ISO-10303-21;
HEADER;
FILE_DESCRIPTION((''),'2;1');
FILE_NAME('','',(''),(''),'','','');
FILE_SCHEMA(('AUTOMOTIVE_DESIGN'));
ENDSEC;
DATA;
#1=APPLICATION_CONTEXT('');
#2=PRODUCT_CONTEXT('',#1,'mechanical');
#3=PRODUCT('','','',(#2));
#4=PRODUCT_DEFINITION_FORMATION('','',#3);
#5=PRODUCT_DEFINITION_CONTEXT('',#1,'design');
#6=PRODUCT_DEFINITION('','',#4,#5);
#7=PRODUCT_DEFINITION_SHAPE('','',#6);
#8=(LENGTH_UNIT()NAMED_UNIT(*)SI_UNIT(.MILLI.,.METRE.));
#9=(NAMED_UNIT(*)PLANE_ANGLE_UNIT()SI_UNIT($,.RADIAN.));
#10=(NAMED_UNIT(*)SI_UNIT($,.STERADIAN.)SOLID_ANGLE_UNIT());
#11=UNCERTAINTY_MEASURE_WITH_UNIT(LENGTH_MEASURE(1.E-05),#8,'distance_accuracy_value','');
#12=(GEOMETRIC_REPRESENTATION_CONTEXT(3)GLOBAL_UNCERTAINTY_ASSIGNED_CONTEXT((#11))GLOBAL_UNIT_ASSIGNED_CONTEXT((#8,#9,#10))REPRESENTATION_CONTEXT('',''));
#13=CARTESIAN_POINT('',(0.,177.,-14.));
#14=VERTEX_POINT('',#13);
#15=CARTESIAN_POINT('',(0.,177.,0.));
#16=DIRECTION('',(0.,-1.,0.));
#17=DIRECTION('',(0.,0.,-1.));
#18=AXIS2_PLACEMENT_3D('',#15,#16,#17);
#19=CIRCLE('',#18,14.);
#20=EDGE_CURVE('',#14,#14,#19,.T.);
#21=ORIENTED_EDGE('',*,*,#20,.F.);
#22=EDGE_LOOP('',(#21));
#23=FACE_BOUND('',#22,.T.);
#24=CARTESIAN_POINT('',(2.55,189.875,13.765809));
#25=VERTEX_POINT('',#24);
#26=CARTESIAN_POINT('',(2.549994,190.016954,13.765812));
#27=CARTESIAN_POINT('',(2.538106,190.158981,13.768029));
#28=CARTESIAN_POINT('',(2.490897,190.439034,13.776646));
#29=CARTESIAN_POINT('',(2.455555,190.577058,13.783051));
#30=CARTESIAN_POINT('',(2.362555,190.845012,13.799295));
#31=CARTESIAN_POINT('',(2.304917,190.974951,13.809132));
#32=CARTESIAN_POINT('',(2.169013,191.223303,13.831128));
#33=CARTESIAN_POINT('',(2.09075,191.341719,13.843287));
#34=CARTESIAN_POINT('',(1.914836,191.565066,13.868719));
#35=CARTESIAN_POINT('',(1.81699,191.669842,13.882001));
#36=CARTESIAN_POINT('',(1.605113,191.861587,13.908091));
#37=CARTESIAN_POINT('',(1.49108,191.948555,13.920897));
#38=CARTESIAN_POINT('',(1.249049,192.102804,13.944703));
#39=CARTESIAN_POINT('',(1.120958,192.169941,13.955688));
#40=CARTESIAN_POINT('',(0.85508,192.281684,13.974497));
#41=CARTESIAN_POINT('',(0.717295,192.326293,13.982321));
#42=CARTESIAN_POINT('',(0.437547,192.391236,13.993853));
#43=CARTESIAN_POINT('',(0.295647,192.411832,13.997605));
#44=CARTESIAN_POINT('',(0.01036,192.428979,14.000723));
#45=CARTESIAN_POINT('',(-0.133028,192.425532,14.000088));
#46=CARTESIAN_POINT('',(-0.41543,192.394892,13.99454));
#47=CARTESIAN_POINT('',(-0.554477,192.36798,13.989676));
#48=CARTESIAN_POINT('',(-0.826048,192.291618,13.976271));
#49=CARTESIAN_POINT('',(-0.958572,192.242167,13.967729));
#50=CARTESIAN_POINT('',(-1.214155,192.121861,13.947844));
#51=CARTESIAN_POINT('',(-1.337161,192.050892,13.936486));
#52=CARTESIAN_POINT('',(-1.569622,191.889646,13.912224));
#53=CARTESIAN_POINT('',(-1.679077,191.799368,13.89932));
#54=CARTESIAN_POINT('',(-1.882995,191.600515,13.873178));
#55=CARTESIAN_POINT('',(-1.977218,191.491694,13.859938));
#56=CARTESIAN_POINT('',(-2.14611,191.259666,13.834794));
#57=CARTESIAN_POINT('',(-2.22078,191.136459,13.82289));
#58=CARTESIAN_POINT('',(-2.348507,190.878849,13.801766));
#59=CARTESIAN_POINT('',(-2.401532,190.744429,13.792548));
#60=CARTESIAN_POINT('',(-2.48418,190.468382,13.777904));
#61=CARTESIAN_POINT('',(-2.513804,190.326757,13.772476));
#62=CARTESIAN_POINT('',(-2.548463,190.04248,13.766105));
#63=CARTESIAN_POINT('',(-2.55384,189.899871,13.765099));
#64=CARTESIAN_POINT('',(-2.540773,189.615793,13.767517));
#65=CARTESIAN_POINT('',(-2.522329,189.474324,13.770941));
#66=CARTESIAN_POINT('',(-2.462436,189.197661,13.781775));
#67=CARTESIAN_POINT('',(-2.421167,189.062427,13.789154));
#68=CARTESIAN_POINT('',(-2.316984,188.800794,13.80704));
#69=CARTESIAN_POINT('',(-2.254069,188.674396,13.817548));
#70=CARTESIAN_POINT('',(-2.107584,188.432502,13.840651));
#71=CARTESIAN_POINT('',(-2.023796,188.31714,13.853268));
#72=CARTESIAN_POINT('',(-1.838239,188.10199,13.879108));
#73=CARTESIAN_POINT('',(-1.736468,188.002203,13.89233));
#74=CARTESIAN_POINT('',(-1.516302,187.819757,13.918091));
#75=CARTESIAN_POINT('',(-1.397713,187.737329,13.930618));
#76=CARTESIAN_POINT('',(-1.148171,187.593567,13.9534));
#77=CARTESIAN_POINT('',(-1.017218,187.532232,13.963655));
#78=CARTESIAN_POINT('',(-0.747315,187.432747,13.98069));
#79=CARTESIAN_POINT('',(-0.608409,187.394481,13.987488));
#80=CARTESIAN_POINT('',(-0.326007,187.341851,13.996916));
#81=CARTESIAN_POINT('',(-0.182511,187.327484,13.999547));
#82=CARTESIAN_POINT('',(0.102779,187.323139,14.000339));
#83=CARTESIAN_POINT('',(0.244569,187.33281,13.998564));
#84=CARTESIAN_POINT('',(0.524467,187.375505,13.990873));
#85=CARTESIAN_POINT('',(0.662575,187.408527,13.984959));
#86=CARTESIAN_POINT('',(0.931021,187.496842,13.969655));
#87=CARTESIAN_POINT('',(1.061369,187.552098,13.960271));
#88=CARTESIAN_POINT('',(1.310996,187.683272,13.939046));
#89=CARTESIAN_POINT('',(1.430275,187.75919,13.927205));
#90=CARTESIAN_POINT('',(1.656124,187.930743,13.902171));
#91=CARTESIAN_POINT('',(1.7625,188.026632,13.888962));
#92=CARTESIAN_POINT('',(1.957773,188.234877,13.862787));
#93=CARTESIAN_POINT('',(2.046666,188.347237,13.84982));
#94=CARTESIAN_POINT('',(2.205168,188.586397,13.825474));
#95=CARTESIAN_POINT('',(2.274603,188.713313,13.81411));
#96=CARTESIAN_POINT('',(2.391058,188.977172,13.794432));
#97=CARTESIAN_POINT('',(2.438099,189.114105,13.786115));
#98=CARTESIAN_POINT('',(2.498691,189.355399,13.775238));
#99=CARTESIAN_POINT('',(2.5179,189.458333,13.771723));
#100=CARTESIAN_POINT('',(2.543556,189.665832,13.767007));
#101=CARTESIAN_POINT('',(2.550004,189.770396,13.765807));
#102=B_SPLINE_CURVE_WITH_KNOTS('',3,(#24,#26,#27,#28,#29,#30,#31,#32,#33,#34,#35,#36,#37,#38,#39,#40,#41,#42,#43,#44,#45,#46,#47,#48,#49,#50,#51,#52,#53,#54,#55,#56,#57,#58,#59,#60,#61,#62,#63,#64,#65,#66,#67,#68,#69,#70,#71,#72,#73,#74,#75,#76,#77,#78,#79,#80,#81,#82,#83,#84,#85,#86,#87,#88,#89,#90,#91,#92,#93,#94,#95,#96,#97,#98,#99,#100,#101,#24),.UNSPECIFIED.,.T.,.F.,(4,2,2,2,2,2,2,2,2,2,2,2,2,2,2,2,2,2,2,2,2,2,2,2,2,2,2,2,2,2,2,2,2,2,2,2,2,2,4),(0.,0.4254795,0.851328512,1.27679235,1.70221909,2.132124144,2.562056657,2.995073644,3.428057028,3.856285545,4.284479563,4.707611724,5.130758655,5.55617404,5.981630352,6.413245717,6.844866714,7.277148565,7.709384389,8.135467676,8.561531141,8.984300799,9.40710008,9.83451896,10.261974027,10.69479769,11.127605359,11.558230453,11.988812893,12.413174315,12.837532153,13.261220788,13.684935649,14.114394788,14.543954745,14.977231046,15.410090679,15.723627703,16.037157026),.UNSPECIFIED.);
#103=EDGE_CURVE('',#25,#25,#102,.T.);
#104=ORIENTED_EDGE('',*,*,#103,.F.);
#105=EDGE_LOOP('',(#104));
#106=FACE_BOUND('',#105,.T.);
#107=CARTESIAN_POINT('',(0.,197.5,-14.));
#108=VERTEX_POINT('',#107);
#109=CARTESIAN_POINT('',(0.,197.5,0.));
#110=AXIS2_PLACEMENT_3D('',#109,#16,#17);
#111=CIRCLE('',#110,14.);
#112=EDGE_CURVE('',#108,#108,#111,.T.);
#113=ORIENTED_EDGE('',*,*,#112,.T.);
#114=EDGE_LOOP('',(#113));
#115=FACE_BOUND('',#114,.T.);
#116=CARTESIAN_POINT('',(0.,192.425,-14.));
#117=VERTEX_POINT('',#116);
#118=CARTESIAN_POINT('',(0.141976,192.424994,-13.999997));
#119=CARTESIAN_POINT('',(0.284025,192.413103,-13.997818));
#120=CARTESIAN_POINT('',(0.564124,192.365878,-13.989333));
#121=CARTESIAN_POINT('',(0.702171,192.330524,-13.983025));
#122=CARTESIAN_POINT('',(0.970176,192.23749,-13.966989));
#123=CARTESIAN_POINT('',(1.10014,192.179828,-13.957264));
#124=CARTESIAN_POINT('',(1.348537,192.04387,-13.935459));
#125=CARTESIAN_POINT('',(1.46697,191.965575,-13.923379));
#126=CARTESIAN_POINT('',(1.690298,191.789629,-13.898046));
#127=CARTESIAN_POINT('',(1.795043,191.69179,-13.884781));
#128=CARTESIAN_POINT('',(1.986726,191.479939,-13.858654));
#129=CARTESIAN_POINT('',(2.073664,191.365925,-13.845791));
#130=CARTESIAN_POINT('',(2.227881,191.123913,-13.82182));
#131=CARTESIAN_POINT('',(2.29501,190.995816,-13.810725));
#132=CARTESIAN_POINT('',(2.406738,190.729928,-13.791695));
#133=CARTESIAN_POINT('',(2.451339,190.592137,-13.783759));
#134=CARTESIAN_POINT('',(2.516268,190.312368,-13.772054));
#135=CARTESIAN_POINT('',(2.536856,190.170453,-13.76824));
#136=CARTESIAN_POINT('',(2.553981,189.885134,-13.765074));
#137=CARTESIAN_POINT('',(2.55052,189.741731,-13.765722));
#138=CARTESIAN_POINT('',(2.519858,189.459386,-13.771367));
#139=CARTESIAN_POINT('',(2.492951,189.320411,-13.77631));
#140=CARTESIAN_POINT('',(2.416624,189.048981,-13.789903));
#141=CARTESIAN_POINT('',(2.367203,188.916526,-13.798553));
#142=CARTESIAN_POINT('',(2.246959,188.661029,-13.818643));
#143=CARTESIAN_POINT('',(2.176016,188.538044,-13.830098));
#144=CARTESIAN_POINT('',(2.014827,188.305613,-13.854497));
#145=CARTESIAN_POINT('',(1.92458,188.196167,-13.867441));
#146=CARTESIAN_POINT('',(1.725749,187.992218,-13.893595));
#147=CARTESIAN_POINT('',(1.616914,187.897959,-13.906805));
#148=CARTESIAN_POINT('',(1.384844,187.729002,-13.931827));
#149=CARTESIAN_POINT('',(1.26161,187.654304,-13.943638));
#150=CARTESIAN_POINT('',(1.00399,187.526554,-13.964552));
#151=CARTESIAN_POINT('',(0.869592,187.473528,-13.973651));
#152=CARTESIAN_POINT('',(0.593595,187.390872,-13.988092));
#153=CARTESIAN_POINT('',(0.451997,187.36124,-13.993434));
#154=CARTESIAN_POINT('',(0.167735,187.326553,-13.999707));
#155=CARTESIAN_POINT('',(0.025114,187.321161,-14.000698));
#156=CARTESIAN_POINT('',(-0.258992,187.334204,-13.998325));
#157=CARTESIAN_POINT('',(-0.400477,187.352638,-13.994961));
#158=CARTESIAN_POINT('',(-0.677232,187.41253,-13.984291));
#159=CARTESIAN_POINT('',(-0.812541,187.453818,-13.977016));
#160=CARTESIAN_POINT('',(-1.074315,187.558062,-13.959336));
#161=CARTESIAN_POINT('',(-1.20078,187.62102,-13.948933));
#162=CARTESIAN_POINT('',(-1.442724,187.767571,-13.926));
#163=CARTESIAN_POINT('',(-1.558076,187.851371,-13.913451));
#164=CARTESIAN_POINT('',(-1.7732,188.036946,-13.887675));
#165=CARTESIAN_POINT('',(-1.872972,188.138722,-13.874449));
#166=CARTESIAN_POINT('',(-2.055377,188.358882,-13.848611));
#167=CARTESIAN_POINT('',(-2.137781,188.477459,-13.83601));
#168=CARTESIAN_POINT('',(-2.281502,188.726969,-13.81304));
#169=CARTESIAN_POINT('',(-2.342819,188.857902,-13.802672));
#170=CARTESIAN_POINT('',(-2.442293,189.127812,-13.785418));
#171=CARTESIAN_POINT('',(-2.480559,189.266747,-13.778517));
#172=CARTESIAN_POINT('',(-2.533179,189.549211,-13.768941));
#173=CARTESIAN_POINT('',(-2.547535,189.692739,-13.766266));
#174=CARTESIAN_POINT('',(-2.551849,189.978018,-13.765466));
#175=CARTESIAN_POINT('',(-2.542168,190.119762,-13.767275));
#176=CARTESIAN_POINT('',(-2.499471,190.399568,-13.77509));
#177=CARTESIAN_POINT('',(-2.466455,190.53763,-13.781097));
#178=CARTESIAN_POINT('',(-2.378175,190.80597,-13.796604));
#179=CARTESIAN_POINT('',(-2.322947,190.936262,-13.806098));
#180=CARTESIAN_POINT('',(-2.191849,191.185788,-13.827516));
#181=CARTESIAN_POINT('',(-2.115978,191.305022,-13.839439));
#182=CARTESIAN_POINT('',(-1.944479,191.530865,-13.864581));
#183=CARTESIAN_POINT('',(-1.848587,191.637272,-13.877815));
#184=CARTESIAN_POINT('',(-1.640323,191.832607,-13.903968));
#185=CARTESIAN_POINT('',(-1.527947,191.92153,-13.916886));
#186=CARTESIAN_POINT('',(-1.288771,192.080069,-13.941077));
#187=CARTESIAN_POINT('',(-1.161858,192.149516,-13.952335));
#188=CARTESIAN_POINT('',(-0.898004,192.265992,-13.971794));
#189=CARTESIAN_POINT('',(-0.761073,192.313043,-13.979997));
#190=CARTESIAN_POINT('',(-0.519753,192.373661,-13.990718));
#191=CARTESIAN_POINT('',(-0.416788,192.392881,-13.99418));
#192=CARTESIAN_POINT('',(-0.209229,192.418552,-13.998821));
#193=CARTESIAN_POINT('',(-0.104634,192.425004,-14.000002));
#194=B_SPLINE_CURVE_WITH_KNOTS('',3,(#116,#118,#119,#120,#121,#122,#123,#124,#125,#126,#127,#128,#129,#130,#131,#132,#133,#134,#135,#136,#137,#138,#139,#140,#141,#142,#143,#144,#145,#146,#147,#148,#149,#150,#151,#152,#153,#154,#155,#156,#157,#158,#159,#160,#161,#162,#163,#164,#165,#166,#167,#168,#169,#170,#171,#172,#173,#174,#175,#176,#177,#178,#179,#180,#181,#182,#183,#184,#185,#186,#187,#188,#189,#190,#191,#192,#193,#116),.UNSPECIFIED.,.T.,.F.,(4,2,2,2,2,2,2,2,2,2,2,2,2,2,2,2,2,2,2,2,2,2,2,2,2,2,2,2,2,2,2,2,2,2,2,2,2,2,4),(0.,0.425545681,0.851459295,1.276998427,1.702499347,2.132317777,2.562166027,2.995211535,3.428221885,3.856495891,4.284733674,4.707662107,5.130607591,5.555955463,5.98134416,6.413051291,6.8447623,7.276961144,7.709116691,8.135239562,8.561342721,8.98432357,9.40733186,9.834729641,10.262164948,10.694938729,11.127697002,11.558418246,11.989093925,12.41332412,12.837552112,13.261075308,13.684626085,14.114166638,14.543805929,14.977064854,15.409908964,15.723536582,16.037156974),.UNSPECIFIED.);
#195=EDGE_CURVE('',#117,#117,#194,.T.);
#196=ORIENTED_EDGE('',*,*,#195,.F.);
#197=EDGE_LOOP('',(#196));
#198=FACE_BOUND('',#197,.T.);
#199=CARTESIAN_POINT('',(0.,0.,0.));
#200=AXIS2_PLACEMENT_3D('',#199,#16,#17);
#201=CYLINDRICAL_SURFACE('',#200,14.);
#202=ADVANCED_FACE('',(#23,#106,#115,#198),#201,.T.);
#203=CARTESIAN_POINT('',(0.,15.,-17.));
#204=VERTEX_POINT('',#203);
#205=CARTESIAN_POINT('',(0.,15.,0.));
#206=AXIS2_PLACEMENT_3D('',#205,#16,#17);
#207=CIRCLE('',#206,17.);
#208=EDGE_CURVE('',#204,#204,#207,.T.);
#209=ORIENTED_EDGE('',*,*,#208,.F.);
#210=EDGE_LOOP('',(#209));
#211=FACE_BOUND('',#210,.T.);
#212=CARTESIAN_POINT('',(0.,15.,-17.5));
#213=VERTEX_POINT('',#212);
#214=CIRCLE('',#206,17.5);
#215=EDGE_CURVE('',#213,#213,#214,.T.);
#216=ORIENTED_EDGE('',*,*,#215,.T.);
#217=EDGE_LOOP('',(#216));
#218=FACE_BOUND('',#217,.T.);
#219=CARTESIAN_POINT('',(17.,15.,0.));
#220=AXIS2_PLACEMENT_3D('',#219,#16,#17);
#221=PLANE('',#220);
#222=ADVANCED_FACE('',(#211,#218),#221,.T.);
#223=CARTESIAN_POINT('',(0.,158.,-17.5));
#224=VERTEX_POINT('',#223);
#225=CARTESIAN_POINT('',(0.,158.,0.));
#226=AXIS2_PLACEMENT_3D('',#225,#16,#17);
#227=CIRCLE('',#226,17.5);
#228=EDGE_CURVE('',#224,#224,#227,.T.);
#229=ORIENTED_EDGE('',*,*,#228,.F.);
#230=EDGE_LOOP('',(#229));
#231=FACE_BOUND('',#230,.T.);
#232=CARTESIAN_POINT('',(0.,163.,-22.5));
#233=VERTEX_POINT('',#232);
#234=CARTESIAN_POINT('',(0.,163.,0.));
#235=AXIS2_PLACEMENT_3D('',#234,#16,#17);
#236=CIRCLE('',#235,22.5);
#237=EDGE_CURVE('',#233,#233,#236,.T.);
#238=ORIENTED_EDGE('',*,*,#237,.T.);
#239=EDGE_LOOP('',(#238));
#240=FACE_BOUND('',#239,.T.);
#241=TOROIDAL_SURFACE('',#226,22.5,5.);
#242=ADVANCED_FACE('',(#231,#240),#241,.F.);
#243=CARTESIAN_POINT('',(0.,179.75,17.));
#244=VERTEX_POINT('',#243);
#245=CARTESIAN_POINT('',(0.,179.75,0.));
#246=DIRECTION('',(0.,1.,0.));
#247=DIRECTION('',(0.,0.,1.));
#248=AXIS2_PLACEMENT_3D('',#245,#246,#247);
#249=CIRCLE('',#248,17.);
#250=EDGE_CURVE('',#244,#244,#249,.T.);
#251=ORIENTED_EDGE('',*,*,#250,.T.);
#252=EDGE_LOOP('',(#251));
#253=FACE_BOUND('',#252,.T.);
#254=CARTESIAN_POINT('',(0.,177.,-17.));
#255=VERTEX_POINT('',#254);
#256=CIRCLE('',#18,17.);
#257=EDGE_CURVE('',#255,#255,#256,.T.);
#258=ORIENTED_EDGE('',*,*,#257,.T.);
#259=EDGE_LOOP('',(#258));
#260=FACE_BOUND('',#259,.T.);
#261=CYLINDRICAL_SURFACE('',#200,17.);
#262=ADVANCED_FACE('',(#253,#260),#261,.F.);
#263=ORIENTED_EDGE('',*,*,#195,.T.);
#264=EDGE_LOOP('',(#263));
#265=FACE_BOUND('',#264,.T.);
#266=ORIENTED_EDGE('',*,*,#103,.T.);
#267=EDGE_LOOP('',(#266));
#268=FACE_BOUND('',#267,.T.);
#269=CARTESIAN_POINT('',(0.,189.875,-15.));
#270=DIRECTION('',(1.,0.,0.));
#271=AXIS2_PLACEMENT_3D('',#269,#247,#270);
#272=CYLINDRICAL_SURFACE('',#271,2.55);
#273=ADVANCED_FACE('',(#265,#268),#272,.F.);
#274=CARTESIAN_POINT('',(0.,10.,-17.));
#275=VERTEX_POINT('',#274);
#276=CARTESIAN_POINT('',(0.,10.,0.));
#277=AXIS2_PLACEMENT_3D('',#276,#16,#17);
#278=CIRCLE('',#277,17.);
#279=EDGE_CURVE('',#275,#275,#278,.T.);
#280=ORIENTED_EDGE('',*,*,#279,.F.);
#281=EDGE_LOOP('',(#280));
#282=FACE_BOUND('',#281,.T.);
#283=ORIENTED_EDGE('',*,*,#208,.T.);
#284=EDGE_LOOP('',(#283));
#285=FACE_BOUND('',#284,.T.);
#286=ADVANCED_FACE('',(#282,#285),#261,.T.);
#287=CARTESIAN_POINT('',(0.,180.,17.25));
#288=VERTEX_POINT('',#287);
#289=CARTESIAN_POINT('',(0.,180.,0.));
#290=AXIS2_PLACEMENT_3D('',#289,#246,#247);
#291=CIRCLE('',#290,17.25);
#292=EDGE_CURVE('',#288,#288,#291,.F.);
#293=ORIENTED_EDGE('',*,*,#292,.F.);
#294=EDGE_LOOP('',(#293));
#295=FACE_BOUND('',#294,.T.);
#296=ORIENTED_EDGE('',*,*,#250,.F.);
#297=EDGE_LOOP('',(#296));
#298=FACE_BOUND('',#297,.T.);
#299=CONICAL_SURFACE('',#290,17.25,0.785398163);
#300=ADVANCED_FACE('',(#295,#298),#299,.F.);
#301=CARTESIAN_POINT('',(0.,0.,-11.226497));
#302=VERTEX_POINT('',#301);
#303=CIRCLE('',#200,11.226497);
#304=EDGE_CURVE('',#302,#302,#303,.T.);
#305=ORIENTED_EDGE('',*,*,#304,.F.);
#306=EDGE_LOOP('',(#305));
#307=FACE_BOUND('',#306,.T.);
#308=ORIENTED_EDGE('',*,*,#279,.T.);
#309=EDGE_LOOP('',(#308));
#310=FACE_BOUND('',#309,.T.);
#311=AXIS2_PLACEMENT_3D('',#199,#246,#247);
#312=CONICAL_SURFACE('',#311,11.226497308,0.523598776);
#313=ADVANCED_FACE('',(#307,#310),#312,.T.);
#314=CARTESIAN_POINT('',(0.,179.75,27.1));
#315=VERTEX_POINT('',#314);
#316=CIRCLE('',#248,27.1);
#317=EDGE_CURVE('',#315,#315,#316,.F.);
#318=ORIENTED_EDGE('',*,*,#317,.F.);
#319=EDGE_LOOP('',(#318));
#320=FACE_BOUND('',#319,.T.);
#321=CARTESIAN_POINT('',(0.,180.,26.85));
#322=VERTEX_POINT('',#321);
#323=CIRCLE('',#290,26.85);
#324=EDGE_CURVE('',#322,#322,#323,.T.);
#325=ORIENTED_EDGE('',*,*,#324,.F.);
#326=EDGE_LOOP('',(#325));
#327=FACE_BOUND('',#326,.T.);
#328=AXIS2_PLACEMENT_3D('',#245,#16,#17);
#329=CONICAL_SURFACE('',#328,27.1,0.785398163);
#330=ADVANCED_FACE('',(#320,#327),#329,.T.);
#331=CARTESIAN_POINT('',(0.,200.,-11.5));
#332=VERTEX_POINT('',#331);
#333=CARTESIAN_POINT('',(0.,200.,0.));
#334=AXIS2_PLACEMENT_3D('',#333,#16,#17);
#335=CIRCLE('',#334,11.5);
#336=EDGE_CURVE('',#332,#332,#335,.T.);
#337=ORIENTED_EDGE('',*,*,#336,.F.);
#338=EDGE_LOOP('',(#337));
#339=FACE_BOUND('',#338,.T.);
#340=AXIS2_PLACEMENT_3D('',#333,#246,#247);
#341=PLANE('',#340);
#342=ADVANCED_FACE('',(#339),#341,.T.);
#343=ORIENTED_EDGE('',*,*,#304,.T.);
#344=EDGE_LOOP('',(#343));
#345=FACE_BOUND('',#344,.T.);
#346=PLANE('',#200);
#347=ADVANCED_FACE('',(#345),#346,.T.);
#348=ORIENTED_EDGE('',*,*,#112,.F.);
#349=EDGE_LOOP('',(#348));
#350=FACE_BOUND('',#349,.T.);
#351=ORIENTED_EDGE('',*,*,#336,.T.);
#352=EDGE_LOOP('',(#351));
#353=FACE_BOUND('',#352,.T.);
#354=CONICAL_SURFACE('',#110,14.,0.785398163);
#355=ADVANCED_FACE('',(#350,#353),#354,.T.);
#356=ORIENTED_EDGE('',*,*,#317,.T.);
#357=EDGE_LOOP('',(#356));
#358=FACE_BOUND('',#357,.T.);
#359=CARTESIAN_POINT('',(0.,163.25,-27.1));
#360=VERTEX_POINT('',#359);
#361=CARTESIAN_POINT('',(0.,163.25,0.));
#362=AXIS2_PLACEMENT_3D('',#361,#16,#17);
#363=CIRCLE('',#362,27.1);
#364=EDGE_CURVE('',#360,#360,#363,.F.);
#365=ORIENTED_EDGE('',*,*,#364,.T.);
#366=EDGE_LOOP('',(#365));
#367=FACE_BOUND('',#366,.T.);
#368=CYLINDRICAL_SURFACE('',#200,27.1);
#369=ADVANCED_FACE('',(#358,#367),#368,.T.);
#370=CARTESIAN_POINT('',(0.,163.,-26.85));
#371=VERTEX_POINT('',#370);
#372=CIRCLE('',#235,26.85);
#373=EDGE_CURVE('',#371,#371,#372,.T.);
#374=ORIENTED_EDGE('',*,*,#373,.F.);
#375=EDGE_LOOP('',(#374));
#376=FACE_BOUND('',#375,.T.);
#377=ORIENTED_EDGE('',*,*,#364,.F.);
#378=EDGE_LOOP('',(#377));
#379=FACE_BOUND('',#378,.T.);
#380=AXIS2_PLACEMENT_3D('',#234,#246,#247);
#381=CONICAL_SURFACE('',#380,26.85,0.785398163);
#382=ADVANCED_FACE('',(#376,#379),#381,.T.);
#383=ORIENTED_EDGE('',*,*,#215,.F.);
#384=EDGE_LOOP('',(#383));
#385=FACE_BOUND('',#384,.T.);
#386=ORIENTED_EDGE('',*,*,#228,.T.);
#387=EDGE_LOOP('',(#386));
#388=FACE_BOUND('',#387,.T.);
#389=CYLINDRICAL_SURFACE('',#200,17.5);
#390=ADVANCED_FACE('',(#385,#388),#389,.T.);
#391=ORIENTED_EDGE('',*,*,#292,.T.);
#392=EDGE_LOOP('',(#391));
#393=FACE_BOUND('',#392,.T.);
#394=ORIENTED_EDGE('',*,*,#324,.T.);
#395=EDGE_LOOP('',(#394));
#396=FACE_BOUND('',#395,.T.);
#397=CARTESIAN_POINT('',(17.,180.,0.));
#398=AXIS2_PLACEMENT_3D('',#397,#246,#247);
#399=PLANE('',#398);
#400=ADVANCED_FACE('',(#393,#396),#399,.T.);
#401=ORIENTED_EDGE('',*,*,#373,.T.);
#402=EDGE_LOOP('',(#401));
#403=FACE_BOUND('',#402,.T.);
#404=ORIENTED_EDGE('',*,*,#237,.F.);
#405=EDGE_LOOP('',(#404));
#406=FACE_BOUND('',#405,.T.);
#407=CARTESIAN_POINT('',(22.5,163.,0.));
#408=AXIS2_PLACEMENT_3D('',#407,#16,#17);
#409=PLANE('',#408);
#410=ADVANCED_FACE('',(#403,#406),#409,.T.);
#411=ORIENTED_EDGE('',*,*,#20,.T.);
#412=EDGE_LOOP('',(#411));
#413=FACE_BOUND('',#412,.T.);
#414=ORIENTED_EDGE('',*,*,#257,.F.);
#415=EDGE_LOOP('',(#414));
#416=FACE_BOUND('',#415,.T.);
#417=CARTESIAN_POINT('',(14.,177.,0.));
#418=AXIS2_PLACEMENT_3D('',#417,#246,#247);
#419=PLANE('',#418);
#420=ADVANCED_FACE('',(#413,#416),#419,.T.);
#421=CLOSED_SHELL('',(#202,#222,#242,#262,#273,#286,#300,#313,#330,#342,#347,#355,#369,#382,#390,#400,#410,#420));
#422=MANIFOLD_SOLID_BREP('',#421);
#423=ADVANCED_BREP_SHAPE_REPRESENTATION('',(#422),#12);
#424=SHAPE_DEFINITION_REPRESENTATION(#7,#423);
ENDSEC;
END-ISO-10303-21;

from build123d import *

# Parameters (mm, degrees)
CHAMFER1_SIZE      = 0.25
CHAMFER2_SIZE      = 0.25
CHAMFER3_SIZE      = 0.25
SKETCH2_R          = 2.55
CUT_EXTRUDE1_DEPTH = 15


with BuildPart() as part:
    # Sketch1 → Revolve1 (revolve)
    with BuildSketch(Plane.XY, mode=Mode.PRIVATE) as revolve1_sk:
        with BuildLine():
            Line((17.5, 15), (17.5, 158))
            ThreePointArc((17.5, 158), (18.964466094, 161.535533906), (22.5, 163))
            Line((22.5, 163), (27.1, 163))
            Line((27.1, 163), (27.1, 180))
            Line((27.1, 180), (17, 180))
            Line((17, 180), (17, 177))
            Line((17, 177), (14, 177))
            Line((14, 177), (14, 197.5))
            Line((14, 197.5), (11.5, 200))
            Line((11.5, 200), (0, 200))
            Line((0, 200), (0, 0))
            Line((0, 0), (11.226497308, 0))
            Line((11.226497308, 0), (17, 10))
            Line((17, 10), (17, 15))
            Line((17, 15), (17.5, 15))
        make_face()
    revolve(revolve1_sk.sketch.rotate(Axis((0, 0, 0), (0, 1, 0)), 90), axis=Axis((0, 0, 0), (0, 1, 0)))  # turned: the seam where the file's is

    # Chamfer1
    chamfer1_edges = [part.edges().sort_by_distance(p)[0] for p in [
        (0, 180, 27.1),
    ]]
    chamfer(chamfer1_edges, length=CHAMFER1_SIZE)

    # Chamfer2
    chamfer2_edges = [part.edges().sort_by_distance(p)[0] for p in [
        (0, 163, 27.1),
    ]]
    chamfer(chamfer2_edges, length=CHAMFER2_SIZE)

    # Chamfer3
    chamfer3_edges = [part.edges().sort_by_distance(p)[0] for p in [
        (0, 180, 17),
    ]]
    chamfer(chamfer3_edges, length=CHAMFER3_SIZE)

    # Sketch2 → Cut-Extrude1 (cut, symmetric)
    with BuildSketch(Plane.XY):
        with Locations((0, 189.875)):
            Circle(SKETCH2_R)
    extrude(amount=CUT_EXTRUDE1_DEPTH, both=True, mode=Mode.SUBTRACT)


solid = part.part
